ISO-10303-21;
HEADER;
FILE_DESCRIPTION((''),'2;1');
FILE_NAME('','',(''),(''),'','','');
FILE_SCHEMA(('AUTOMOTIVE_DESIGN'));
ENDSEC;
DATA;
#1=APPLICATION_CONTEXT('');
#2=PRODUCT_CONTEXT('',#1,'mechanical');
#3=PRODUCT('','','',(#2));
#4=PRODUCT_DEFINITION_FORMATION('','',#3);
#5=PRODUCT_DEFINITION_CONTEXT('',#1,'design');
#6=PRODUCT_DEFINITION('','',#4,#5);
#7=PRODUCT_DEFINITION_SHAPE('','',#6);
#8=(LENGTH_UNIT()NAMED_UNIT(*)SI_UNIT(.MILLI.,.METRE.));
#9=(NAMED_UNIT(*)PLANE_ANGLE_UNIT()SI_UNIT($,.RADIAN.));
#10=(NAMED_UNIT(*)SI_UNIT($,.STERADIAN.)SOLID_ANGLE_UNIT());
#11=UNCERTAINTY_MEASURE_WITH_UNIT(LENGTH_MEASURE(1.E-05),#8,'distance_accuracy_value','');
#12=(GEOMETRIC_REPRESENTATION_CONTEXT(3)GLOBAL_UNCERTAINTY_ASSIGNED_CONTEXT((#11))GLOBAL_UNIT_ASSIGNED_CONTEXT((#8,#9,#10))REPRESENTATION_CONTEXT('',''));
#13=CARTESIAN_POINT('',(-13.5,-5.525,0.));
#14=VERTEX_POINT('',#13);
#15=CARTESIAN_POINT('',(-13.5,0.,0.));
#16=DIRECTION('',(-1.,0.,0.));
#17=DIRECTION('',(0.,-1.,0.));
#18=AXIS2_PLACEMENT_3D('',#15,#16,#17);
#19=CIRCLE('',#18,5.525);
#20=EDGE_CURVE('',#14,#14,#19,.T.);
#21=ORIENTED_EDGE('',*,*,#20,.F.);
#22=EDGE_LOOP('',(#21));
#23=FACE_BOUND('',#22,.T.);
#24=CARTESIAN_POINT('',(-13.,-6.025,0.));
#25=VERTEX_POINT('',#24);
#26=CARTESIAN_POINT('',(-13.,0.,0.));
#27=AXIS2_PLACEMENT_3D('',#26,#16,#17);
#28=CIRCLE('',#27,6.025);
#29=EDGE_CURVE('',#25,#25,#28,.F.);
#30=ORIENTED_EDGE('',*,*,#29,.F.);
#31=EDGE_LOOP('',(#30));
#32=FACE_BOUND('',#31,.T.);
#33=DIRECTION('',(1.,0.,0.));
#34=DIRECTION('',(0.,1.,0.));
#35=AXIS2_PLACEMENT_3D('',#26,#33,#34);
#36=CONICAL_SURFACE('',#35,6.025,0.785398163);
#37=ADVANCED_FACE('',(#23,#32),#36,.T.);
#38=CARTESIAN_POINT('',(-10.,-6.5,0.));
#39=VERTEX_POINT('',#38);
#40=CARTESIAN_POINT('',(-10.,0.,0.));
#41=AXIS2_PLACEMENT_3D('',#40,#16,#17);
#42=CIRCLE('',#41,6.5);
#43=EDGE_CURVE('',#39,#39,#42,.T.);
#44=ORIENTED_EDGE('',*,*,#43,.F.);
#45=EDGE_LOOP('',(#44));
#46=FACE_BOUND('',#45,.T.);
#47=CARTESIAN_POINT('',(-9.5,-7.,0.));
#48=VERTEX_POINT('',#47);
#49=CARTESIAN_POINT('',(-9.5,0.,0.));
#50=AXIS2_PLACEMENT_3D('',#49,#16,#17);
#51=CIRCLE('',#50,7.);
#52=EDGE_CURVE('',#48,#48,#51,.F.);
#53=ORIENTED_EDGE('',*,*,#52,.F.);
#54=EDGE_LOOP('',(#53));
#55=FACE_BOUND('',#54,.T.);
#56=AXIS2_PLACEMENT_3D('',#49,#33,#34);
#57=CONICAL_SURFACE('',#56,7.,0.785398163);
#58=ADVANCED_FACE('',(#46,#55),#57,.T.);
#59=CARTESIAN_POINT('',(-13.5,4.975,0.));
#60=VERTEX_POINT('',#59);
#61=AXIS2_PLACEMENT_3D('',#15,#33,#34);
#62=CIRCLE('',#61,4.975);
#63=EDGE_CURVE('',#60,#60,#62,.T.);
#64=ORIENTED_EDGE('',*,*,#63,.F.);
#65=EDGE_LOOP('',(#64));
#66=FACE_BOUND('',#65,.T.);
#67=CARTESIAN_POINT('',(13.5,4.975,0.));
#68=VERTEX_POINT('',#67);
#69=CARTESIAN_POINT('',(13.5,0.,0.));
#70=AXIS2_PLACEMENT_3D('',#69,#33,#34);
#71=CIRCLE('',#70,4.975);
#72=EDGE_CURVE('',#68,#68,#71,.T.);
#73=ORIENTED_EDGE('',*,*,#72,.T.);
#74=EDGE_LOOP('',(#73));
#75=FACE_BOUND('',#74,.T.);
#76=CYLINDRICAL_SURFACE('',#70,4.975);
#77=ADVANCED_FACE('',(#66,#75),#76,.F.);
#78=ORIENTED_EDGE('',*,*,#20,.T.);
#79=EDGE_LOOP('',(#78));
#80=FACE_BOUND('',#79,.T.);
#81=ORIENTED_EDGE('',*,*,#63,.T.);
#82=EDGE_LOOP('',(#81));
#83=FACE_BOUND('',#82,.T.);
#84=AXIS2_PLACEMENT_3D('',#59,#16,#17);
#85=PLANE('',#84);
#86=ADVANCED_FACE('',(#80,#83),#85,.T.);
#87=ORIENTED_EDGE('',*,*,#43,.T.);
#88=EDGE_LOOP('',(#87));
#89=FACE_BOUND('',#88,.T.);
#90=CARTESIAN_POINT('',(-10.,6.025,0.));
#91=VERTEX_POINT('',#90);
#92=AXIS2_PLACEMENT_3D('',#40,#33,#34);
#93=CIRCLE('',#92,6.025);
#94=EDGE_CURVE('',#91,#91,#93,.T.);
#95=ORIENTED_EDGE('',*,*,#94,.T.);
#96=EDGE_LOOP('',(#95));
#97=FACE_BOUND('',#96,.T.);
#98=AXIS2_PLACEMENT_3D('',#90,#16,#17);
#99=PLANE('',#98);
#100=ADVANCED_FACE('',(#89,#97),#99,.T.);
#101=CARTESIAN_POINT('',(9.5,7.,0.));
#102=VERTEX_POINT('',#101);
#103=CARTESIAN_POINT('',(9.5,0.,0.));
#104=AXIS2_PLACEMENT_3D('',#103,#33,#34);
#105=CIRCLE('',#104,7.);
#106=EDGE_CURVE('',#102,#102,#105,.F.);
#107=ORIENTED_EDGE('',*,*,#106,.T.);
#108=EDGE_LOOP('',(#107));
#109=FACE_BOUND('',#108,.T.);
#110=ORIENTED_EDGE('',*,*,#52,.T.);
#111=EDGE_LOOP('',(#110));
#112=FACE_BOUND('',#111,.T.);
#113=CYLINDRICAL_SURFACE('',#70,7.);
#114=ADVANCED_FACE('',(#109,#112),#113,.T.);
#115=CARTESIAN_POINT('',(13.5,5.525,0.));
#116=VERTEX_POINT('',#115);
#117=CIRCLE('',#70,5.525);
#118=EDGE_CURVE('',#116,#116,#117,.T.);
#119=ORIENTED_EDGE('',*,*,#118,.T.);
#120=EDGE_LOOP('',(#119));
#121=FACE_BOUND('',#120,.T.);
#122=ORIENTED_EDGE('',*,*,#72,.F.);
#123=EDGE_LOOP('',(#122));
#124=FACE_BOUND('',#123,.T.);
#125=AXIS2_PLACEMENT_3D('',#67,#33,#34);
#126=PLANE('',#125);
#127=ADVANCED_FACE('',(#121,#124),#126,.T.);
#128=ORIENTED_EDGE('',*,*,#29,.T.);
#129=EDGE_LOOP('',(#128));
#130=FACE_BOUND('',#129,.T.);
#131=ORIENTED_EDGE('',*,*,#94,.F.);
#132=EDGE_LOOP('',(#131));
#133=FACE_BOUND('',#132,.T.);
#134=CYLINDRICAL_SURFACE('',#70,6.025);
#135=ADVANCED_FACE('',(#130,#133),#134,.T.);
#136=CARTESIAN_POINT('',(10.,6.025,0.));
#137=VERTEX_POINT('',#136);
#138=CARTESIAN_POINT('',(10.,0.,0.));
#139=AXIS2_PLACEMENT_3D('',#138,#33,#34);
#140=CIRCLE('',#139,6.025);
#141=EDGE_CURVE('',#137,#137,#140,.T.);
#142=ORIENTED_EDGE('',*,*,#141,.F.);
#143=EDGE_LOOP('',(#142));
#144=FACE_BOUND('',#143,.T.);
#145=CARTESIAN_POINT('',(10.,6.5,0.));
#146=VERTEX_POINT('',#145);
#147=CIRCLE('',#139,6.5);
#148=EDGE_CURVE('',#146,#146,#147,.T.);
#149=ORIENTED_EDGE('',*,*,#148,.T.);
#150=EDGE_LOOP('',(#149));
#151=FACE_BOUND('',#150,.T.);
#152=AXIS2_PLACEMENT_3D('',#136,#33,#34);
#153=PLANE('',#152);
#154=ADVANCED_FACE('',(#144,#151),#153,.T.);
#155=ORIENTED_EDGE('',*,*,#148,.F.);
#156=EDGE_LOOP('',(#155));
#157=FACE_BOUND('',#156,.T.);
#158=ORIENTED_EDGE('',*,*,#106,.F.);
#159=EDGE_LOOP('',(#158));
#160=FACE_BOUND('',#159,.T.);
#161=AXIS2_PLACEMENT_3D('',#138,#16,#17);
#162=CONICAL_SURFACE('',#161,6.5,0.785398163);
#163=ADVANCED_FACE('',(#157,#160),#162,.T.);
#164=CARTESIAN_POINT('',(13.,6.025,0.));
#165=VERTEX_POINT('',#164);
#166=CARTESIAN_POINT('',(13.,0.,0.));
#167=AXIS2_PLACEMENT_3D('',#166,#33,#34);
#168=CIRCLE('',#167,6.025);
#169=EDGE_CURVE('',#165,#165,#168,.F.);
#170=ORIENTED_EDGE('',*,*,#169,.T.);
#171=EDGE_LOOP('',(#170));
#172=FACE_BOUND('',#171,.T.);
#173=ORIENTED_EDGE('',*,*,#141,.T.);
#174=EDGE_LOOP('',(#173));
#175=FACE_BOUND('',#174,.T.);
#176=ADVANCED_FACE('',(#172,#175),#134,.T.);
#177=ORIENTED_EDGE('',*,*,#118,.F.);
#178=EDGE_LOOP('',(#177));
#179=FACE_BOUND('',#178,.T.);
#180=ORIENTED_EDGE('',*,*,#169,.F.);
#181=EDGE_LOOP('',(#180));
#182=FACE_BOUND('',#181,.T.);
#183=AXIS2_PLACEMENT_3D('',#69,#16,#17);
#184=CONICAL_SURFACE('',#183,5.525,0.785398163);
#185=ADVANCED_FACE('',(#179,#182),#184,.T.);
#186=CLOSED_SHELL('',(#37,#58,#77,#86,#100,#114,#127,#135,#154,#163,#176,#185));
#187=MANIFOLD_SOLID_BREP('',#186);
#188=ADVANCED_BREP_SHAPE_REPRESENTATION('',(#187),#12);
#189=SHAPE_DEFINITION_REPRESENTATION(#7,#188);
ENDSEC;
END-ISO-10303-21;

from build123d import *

# Parameters (mm, degrees)
CHAMFER_1_SIZE = 0.5


with BuildPart() as part:
    # 草图1 → 旋转1 (revolve)
    with BuildSketch(Plane.XY):
        Polygon((-13.5, 4.975), (13.5, 4.975), (13.5, 6.025), (10, 6.025), (10, 7), (-10, 7), (-10, 6.025), (-13.5, 6.025), align=None)
    revolve(axis=Axis((13.5, 0, 0), (-1, 0, 0)))

    # 倒角1
    chamfer_1_edges = [part.edges().sort_by_distance(p)[0] for p in [
        (-13.5, -6.025, 0),
        (13.5, -6.025, 0),
        (10, -7, 0),
        (-10, -7, 0),
    ]]
    chamfer(chamfer_1_edges, length=CHAMFER_1_SIZE)


solid = part.part
